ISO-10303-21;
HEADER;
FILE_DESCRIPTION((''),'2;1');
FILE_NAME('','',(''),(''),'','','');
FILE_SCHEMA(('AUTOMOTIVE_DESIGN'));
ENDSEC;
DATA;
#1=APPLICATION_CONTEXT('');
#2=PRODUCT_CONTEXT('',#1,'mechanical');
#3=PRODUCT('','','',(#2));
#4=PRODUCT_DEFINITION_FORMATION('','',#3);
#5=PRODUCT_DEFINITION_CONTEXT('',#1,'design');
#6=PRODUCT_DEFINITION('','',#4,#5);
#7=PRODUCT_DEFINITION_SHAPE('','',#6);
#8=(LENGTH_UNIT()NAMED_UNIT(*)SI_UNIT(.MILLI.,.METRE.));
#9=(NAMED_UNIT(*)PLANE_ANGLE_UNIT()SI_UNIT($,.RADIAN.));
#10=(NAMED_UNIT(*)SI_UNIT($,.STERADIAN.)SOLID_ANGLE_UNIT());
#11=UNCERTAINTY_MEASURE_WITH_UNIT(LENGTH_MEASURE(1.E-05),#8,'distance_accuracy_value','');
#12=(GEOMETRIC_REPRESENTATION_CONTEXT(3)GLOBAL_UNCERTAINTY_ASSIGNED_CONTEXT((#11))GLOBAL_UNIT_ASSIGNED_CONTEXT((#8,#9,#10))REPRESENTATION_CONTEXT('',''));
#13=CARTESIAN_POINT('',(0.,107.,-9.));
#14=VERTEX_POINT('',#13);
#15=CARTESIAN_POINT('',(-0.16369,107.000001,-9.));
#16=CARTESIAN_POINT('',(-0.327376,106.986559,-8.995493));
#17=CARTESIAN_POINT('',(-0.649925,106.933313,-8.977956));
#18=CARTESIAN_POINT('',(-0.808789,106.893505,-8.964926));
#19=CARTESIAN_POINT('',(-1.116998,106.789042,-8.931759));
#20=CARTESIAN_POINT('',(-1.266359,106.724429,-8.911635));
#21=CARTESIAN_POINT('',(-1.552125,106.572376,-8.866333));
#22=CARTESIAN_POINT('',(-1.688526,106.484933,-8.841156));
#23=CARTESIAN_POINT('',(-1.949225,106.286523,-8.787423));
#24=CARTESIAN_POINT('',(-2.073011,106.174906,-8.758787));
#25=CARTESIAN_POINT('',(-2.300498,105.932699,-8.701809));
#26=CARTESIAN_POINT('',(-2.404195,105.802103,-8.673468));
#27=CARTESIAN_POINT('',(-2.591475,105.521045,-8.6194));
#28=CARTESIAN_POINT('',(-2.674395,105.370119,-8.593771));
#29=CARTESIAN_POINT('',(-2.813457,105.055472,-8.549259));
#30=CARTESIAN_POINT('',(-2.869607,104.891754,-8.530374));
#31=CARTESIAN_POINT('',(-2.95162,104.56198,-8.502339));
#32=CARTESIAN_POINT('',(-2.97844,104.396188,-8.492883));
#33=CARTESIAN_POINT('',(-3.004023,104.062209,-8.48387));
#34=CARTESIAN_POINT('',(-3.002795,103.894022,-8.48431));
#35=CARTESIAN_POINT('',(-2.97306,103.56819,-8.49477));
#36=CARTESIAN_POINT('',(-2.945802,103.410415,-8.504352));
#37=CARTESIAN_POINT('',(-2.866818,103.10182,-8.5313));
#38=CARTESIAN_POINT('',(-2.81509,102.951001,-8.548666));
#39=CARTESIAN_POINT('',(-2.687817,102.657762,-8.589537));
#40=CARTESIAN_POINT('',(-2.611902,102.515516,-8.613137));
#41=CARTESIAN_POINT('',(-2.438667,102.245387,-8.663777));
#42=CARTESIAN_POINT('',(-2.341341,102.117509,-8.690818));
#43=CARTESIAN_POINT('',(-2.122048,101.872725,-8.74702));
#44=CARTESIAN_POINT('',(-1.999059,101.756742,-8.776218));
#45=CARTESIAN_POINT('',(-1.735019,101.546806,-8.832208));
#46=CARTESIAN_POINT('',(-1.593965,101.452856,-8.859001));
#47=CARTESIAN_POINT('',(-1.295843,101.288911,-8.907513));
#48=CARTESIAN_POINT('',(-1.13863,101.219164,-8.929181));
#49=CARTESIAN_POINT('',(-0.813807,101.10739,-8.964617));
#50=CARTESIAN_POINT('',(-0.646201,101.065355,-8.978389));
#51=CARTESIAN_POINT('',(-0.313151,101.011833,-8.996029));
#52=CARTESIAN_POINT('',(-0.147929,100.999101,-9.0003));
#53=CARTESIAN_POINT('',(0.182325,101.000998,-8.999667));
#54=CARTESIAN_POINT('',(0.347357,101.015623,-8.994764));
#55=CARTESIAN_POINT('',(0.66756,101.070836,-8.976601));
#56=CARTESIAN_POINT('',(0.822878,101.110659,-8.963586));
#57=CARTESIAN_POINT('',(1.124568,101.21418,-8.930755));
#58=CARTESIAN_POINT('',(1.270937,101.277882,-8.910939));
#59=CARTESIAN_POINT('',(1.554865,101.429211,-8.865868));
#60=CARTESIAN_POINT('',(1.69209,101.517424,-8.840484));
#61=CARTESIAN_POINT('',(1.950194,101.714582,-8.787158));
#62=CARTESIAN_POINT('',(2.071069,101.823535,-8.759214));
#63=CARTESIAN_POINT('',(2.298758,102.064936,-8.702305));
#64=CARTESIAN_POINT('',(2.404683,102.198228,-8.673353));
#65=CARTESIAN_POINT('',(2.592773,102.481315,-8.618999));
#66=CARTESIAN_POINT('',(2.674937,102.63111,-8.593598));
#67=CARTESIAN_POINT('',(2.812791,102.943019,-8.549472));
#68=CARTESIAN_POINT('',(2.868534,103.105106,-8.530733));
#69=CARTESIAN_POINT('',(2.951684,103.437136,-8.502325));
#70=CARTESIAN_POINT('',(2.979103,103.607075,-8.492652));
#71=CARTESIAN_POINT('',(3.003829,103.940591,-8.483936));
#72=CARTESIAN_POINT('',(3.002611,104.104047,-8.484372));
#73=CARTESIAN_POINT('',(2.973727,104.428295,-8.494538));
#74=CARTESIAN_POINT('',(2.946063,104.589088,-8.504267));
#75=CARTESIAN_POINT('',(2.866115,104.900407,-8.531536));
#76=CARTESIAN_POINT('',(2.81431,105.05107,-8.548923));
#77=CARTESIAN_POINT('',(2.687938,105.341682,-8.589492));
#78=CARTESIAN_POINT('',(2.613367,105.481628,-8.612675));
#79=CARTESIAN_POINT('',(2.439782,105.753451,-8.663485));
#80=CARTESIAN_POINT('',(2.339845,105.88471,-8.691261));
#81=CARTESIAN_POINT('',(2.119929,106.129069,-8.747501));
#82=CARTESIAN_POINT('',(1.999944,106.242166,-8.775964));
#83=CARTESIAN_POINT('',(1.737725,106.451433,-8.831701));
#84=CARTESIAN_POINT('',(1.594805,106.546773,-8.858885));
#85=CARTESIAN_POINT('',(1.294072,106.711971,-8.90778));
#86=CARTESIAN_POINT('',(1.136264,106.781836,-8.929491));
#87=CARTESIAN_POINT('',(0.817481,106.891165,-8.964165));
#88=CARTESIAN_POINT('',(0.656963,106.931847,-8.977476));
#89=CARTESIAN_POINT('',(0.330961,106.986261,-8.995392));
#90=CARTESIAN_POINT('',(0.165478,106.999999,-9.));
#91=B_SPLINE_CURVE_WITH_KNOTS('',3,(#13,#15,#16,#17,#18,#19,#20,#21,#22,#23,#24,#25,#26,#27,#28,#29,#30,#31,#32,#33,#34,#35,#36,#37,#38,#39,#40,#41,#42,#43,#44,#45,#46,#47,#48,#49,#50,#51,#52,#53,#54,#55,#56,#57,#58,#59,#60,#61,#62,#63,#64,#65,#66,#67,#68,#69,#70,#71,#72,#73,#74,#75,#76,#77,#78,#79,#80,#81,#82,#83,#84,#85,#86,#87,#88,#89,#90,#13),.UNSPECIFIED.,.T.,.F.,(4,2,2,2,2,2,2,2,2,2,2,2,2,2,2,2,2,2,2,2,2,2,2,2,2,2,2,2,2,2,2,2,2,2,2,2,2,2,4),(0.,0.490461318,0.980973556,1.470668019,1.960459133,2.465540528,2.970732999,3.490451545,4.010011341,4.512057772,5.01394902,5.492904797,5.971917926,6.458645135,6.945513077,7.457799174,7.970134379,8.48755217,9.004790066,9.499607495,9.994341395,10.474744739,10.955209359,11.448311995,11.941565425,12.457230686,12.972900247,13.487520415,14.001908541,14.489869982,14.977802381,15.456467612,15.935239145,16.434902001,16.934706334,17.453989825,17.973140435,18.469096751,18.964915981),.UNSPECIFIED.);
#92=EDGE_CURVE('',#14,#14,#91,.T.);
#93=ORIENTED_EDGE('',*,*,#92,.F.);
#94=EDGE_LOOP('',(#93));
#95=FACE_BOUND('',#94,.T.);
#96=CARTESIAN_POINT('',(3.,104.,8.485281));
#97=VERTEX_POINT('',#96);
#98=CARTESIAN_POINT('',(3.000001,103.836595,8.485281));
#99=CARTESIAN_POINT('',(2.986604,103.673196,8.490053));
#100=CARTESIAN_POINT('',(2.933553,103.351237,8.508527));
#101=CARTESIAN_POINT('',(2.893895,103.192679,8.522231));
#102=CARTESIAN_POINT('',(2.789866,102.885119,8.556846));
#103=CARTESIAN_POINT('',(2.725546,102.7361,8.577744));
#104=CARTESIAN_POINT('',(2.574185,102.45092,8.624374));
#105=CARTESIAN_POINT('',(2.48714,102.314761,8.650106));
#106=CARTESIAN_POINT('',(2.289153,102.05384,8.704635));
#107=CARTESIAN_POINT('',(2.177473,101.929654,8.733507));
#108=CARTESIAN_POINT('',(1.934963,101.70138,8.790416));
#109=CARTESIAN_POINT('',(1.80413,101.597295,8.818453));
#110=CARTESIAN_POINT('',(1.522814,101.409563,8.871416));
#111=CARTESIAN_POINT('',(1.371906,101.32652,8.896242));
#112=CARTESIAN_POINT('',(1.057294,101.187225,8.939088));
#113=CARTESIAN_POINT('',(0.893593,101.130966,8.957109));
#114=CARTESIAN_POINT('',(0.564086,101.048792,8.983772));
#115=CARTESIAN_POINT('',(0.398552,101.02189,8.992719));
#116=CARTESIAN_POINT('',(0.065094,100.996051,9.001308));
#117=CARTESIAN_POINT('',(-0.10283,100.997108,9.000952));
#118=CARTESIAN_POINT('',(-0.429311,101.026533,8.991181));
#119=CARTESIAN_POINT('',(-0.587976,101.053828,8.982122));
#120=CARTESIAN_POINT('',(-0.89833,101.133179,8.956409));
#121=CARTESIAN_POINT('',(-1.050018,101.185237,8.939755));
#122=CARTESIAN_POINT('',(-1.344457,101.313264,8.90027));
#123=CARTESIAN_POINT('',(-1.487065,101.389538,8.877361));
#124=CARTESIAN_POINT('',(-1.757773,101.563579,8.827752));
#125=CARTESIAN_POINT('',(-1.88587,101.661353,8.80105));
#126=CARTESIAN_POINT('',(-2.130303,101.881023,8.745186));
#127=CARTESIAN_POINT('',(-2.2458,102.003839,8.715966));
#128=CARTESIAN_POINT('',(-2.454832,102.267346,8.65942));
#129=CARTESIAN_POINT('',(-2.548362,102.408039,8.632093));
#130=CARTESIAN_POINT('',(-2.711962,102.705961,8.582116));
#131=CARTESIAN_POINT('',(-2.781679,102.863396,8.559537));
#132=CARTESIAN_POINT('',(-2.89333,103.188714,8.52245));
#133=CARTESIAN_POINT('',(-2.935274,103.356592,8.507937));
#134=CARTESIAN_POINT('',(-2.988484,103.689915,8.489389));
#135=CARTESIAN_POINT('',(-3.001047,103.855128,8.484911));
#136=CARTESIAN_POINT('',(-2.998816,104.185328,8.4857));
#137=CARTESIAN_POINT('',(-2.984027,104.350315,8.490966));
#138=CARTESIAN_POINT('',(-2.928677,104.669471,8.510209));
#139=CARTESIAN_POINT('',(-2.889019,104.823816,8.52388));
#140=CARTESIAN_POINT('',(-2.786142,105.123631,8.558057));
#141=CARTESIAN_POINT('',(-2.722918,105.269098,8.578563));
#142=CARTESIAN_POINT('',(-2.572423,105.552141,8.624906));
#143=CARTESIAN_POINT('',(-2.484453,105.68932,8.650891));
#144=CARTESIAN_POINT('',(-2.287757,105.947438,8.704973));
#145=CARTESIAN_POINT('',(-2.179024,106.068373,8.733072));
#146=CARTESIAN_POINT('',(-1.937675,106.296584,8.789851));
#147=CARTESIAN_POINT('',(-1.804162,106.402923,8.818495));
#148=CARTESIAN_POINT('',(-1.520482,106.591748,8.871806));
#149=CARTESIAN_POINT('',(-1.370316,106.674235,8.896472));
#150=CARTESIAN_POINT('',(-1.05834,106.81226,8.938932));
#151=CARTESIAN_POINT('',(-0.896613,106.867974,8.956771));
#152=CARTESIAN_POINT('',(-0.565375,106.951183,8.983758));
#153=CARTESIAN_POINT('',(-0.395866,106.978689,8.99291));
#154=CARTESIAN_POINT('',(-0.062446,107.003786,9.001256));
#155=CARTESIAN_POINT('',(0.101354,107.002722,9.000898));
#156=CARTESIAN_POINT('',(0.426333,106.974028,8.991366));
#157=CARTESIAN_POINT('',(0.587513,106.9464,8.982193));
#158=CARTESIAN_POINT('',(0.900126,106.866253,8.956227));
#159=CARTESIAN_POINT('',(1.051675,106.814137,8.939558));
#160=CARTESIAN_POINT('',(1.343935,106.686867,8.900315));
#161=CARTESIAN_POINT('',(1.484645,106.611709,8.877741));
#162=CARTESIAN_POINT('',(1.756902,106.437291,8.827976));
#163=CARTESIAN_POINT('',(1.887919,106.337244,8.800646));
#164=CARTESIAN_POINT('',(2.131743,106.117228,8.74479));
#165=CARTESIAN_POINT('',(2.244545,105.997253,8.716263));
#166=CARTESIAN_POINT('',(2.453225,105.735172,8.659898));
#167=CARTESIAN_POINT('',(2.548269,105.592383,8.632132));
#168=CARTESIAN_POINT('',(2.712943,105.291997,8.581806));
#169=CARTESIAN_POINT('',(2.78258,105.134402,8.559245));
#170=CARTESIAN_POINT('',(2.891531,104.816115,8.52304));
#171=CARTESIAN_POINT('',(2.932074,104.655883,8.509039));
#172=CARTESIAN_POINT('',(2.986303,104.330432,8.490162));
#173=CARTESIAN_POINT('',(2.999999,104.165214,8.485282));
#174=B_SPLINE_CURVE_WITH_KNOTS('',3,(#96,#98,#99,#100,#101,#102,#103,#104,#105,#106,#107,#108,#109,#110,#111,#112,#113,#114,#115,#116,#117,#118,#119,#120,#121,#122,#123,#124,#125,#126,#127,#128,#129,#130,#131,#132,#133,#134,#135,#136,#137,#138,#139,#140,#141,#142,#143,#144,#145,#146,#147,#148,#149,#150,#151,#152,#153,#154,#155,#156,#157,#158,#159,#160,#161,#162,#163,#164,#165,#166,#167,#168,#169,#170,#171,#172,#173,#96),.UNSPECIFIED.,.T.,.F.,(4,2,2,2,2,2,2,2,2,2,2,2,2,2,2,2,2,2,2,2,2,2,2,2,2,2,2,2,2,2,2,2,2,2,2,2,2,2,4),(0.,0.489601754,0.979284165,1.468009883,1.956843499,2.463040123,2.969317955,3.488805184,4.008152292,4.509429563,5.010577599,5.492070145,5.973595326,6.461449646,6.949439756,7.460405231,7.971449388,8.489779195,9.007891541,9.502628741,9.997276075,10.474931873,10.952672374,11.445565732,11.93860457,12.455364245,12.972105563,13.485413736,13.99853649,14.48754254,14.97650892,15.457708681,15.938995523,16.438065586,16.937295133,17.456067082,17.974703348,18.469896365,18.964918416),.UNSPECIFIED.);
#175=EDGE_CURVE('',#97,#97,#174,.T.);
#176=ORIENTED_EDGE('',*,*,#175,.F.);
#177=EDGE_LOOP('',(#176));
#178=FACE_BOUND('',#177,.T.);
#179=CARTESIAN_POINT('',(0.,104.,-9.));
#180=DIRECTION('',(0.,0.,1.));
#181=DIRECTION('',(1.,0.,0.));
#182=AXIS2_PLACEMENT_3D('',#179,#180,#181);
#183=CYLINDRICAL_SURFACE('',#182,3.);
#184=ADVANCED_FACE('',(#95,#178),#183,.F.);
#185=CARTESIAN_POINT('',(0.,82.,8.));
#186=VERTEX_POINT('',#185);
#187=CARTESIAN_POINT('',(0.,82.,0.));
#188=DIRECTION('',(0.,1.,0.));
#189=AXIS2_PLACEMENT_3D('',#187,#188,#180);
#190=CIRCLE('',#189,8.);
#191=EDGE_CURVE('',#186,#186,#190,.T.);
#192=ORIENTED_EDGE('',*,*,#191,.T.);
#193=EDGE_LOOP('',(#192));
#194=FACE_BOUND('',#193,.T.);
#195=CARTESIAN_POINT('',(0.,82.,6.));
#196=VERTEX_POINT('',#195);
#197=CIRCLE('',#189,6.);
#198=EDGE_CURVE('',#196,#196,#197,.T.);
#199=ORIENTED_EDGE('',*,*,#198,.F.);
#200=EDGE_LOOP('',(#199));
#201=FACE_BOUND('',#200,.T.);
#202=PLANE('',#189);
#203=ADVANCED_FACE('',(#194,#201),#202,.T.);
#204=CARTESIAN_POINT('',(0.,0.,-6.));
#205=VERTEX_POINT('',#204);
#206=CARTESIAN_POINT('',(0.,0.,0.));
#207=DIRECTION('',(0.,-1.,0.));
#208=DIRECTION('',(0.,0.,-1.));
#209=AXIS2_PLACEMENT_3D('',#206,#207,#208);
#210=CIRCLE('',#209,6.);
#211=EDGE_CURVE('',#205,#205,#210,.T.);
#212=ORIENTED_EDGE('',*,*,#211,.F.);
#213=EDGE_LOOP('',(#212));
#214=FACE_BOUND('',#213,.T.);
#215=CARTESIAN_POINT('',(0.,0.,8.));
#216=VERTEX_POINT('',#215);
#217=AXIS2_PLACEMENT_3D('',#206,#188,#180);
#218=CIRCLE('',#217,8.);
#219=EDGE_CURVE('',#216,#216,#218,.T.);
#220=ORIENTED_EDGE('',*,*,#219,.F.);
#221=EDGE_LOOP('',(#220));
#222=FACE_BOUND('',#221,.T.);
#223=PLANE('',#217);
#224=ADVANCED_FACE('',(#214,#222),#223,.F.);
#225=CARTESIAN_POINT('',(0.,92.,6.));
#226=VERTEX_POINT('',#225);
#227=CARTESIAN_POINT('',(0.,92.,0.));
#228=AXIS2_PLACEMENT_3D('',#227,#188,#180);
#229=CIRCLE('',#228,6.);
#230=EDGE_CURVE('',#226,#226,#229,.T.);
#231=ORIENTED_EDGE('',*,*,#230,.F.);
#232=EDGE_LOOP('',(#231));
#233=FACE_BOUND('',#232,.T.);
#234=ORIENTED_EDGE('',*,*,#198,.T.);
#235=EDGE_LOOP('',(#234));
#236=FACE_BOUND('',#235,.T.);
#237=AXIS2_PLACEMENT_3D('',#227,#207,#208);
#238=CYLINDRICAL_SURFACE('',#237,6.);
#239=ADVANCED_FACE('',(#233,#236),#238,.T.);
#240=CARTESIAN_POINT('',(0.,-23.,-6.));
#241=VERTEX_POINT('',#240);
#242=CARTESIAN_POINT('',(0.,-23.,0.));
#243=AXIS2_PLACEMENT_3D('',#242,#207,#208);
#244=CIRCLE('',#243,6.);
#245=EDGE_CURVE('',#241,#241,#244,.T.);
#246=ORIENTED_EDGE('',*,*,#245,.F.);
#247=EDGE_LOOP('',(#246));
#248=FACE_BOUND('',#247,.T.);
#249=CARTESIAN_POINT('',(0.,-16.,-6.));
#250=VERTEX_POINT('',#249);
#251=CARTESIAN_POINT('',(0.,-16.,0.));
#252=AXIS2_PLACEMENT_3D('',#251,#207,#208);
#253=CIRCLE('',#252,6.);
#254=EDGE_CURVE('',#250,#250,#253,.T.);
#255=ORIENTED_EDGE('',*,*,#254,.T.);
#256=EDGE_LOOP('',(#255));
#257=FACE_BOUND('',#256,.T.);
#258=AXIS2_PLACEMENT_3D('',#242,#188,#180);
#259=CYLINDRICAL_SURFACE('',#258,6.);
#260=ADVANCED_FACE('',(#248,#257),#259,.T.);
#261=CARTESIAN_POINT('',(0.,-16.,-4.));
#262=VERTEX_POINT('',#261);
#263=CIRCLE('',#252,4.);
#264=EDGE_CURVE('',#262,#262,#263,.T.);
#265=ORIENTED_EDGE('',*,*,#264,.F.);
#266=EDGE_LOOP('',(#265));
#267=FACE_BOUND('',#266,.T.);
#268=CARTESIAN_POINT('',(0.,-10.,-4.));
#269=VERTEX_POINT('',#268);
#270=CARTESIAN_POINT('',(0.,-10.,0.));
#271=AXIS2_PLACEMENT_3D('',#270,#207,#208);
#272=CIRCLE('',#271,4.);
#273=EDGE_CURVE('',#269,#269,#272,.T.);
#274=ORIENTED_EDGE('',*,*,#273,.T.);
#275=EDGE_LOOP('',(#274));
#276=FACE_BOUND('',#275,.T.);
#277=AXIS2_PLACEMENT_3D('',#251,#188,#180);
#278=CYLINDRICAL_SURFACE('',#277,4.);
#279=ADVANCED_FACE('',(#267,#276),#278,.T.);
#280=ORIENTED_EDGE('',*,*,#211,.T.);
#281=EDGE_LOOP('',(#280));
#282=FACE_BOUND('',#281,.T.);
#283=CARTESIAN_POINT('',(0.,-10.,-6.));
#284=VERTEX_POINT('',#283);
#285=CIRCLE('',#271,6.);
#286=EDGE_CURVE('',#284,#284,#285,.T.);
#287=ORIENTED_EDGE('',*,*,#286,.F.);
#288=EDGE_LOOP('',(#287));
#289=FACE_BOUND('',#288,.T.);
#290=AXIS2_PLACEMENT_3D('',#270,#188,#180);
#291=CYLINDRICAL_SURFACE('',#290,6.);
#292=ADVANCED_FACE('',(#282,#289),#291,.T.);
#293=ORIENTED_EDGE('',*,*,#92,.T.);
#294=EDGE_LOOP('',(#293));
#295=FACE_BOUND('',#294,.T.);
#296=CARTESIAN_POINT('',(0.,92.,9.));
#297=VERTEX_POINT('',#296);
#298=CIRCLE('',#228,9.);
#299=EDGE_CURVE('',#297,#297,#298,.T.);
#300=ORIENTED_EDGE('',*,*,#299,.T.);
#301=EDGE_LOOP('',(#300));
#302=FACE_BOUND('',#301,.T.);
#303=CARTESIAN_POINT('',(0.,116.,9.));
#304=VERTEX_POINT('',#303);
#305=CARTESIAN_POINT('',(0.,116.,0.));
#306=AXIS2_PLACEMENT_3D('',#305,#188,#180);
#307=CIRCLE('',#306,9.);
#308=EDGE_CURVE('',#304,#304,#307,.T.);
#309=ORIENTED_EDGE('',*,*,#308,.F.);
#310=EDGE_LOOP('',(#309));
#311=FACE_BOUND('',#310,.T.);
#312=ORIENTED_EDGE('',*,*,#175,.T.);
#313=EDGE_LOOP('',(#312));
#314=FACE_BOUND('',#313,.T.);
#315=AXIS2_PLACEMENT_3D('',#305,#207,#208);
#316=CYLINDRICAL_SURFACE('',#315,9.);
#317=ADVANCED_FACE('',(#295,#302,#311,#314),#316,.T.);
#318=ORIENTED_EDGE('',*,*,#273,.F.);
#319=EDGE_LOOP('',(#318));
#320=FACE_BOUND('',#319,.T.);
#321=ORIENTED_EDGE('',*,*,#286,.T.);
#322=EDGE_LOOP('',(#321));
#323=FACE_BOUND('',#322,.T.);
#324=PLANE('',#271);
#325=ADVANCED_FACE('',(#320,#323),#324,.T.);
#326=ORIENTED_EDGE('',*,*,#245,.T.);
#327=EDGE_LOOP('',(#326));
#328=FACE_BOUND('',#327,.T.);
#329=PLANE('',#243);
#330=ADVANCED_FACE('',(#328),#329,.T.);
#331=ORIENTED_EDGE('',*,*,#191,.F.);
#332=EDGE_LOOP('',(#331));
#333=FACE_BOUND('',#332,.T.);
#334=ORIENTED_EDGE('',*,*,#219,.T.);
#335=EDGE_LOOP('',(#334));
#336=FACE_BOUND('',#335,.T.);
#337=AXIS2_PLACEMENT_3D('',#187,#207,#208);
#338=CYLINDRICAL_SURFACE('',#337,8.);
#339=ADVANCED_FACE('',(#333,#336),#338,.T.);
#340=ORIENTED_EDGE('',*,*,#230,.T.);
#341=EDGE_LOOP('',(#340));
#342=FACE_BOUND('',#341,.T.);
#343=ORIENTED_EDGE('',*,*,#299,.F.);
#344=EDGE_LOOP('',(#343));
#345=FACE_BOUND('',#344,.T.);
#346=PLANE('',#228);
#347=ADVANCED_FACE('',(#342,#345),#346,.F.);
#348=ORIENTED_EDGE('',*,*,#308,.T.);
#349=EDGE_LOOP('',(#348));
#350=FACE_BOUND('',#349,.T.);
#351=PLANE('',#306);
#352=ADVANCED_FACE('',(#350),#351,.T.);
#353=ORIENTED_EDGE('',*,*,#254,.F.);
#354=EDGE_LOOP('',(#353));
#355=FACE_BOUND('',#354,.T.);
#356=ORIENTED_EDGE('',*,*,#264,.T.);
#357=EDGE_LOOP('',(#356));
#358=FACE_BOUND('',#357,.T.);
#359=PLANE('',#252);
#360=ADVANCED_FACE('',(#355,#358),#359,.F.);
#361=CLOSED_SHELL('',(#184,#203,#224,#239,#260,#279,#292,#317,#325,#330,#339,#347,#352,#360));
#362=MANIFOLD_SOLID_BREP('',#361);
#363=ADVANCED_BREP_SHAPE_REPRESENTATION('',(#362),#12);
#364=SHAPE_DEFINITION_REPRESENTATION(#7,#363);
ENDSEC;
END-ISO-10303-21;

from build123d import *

# Parameters (mm, degrees)
SKETCH1_R               = 8
BOSS_EXTRUDE1_DEPTH     = 82
SKETCH2_R               = 6
BOSS_EXTRUDE2_DEPTH     = 10
SKETCH4_R               = 9
BOSS_EXTRUDE3_DEPTH     = 24
SKETCH5_R               = 6
BOSS_EXTRUDE4_DEPTH     = 10
SKETCH6_R               = 4
BOSS_EXTRUDE5_DEPTH     = 6
SKETCH7_R               = 6
BOSS_EXTRUDE6_DEPTH     = 7
SKETCH8_R               = 3
CUT_EXTRUDE2_DEPTH      = 10
CUT_EXTRUDE2_DEPTH_BACK = 10


with BuildPart() as part:
    # Sketch1 → Boss-Extrude1 (new body)
    with BuildSketch(Plane(origin=(0, 0, 0), x_dir=(1, 0, 0), z_dir=(0, 1, 0))):
        Circle(SKETCH1_R)
    extrude(amount=BOSS_EXTRUDE1_DEPTH)

    # Sketch2 → Boss-Extrude2 (add)
    with BuildSketch(Plane(origin=(0, 82, 0), x_dir=(1, 0, 0), z_dir=(0, 1, 0))):
        Circle(SKETCH2_R)
    extrude(amount=BOSS_EXTRUDE2_DEPTH)

    # Sketch4 → Boss-Extrude3 (add)
    with BuildSketch(Plane(origin=(0, 92, 0), x_dir=(1, 0, 0), z_dir=(0, 1, 0))):
        Circle(SKETCH4_R)
    extrude(amount=BOSS_EXTRUDE3_DEPTH)

    # Sketch5 → Boss-Extrude4 (add)
    with BuildSketch(Plane.XZ):
        Circle(SKETCH5_R)
    extrude(amount=BOSS_EXTRUDE4_DEPTH)

    # Sketch6 → Boss-Extrude5 (add)
    with BuildSketch(Plane.XZ.offset(10)):
        Circle(SKETCH6_R)
    extrude(amount=BOSS_EXTRUDE5_DEPTH)

    # Sketch7 → Boss-Extrude6 (add)
    with BuildSketch(Plane.XZ.offset(16)):
        Circle(SKETCH7_R)
    extrude(amount=BOSS_EXTRUDE6_DEPTH)

    # Sketch8 → Cut-Extrude2 (cut, two sides)
    with BuildSketch(Plane.XY) as cut_extrude2_sk:
        with Locations((0, 104)):
            Circle(SKETCH8_R)
    extrude(amount=CUT_EXTRUDE2_DEPTH, mode=Mode.SUBTRACT)
    extrude(cut_extrude2_sk.sketch, amount=-CUT_EXTRUDE2_DEPTH_BACK, mode=Mode.SUBTRACT)


solid = part.part
